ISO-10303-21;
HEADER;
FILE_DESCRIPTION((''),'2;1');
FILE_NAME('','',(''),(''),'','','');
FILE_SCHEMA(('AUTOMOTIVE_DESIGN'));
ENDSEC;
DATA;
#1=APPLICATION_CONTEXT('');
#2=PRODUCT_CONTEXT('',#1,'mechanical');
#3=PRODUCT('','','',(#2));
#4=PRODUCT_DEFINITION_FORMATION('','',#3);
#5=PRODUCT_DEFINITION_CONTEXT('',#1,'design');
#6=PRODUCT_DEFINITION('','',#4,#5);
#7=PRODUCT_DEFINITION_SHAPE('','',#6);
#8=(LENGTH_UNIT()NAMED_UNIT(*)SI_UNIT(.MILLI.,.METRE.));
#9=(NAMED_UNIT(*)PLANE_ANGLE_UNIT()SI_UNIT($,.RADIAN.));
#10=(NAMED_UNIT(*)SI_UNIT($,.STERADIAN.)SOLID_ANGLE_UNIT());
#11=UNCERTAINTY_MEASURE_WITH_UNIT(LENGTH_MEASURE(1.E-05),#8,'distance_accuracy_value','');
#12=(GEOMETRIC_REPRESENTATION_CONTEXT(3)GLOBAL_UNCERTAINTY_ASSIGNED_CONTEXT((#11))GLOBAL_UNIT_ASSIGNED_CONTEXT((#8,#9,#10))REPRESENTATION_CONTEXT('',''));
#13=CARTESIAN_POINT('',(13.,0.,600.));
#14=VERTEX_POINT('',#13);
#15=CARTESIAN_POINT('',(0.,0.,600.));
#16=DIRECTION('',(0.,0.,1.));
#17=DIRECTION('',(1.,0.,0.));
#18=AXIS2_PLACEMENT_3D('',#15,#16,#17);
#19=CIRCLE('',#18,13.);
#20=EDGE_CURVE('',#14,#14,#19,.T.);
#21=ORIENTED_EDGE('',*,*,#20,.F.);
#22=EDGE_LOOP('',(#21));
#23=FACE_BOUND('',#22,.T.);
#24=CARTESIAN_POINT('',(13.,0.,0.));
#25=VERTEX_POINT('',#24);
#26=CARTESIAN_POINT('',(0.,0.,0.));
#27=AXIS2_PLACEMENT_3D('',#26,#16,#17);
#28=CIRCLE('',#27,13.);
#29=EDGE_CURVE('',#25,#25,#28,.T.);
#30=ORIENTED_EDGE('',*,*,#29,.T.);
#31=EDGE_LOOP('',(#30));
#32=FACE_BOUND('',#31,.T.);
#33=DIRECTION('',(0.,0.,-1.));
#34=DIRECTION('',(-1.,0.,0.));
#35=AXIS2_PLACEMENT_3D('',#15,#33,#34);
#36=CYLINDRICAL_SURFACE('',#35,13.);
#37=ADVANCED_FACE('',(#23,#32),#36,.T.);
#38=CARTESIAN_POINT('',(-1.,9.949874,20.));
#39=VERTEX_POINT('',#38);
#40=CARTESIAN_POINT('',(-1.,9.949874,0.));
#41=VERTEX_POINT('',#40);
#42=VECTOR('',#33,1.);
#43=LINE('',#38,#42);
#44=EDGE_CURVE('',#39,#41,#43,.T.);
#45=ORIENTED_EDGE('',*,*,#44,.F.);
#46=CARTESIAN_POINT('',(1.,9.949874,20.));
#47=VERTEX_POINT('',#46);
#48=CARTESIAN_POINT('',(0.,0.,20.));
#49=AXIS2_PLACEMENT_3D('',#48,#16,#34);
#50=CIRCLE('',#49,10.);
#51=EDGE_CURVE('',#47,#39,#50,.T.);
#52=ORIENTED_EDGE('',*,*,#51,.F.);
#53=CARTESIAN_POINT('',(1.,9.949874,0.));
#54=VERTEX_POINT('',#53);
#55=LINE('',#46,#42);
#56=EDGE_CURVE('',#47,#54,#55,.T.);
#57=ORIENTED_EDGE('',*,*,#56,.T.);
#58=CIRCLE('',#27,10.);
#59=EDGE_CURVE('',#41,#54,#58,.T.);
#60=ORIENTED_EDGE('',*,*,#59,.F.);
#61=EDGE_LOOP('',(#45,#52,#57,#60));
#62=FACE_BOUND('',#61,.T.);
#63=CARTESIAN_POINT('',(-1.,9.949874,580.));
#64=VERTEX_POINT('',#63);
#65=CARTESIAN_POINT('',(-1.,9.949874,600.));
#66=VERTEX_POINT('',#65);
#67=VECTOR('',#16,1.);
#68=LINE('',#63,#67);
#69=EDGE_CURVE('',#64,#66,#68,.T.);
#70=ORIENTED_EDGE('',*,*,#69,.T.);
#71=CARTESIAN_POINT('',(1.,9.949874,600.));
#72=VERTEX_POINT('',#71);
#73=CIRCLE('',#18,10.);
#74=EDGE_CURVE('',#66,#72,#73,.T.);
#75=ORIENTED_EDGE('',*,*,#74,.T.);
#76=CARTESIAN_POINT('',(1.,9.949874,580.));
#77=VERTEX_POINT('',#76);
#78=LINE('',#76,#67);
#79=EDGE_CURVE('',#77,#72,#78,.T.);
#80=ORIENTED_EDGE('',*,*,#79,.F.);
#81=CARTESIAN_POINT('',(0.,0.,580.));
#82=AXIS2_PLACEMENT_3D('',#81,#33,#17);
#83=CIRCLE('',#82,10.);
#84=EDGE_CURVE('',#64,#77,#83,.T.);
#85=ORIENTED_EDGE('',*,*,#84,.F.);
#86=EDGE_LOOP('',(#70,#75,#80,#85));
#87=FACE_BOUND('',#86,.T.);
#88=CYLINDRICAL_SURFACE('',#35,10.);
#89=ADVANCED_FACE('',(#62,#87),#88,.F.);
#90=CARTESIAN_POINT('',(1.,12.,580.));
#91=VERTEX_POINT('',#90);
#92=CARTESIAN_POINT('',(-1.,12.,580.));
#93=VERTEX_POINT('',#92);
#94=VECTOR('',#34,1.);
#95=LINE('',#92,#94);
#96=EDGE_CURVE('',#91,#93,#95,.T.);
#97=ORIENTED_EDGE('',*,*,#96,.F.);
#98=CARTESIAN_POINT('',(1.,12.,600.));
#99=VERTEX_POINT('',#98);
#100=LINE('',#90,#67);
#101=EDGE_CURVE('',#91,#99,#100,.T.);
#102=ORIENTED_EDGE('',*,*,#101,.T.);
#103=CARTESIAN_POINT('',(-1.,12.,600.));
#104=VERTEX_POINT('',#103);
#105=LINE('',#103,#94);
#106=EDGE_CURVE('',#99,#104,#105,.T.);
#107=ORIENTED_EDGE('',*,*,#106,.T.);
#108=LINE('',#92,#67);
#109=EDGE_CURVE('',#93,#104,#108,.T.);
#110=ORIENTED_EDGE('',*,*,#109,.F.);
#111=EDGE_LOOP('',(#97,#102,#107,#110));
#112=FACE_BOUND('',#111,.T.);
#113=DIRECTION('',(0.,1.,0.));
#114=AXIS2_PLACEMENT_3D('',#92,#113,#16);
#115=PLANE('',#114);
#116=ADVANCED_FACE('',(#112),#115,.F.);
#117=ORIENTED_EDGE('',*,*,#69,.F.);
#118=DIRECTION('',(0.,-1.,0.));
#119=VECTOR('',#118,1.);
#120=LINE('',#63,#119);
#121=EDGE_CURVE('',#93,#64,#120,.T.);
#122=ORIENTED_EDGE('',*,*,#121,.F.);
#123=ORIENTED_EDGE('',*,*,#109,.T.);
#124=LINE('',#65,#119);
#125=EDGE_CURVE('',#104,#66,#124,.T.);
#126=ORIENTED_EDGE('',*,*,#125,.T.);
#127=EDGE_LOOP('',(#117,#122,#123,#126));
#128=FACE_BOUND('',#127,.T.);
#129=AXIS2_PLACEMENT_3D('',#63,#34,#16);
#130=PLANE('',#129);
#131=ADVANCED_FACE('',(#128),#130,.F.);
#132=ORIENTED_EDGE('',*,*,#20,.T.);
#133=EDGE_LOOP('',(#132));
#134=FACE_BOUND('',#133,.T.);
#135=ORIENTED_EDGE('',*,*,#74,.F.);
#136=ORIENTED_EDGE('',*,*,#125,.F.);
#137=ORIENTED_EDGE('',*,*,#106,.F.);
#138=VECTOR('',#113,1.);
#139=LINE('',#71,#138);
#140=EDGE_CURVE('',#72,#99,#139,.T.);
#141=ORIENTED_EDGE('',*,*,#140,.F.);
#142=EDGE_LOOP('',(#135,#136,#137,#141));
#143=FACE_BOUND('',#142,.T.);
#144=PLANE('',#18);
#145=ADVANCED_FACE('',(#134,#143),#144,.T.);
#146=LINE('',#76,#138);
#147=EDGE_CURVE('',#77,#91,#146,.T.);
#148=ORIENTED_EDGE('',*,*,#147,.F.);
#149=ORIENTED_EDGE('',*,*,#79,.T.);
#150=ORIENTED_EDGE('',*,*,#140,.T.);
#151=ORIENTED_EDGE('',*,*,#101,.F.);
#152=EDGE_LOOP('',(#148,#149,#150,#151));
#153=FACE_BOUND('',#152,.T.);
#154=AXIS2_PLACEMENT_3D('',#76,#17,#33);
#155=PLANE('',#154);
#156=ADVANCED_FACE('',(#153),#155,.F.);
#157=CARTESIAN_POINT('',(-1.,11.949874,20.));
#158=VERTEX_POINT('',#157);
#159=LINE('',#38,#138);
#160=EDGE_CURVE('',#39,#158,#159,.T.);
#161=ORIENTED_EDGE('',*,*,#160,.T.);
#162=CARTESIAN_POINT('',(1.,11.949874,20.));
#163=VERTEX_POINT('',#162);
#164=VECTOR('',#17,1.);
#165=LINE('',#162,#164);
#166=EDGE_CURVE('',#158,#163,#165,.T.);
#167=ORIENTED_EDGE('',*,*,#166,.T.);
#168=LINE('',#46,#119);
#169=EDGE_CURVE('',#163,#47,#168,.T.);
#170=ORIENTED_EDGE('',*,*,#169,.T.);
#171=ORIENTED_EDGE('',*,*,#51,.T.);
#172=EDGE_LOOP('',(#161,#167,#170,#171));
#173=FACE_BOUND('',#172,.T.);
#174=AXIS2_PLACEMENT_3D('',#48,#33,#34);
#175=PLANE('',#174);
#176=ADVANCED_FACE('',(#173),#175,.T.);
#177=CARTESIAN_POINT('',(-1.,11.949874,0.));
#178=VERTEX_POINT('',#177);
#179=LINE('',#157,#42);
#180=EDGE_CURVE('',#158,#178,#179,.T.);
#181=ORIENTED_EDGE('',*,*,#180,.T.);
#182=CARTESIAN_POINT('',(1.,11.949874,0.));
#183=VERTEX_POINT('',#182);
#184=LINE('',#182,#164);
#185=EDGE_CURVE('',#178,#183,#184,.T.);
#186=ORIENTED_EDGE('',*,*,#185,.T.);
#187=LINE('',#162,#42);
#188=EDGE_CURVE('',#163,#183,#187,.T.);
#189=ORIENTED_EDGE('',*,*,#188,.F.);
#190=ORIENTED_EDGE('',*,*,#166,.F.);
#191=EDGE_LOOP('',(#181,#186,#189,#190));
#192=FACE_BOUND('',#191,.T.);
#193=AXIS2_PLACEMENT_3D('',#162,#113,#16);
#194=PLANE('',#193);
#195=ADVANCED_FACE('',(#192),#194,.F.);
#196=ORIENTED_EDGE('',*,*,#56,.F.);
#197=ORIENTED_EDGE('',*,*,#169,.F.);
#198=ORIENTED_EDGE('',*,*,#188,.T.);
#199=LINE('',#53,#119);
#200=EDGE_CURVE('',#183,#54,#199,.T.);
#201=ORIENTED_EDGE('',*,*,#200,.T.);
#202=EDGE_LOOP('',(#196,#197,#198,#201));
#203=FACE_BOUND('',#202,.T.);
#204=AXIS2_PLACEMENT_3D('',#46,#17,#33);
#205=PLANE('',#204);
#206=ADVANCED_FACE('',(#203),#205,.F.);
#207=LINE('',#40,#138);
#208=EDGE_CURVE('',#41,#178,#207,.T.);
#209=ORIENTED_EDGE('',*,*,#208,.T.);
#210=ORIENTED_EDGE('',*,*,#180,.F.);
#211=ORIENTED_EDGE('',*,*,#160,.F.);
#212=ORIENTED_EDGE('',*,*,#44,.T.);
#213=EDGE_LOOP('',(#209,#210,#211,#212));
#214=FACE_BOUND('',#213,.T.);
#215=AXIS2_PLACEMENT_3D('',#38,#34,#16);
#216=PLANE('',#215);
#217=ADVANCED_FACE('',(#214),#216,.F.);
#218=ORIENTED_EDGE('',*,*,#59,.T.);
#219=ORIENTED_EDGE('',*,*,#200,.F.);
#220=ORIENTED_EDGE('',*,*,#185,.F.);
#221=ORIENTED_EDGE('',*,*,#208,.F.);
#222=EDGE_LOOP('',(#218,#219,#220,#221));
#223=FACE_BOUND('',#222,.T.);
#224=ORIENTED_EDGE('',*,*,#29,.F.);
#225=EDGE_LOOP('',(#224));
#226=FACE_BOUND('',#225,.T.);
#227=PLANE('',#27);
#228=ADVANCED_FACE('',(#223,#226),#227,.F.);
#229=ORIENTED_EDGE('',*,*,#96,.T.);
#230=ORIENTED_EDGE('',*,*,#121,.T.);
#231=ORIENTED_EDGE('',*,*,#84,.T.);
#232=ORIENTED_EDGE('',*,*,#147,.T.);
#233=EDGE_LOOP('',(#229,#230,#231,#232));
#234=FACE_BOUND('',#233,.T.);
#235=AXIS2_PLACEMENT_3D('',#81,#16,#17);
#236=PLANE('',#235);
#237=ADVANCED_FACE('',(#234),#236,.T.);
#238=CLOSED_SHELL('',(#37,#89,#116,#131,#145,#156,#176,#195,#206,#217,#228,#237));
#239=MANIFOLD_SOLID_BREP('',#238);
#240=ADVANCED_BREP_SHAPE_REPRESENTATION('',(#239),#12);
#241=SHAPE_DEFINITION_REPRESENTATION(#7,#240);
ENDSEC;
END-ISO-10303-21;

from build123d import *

# Parameters (mm, degrees)
SKETCH1_R           = 13
SKETCH1_R_2         = 10
BOSS_EXTRUDE1_DEPTH = 600
CUT_EXTRUDE1_START  = -20
CUT_EXTRUDE1_DEPTH  = 20
CUT_EXTRUDE2_DEPTH  = 20


with BuildPart() as part:
    # Sketch1 → Boss-Extrude1 (new body)
    with BuildSketch(Plane.XY):
        Circle(SKETCH1_R)
        Circle(SKETCH1_R_2, mode=Mode.SUBTRACT)
    extrude(amount=BOSS_EXTRUDE1_DEPTH)

    # Sketch2 → Cut-Extrude1 (cut)
    with BuildSketch(Plane.XY.offset(600).offset(CUT_EXTRUDE1_START)):
        with BuildLine():
            Line((-1, 9.949874371), (-1, 12))
            Line((-1, 12), (1, 12))
            Line((1, 12), (1, 9.949874371))
            ThreePointArc((1, 9.949874371), (0, 10), (-1, 9.949874371))
        make_face()
    extrude(amount=CUT_EXTRUDE1_DEPTH, mode=Mode.SUBTRACT)

    # Sketch3 → Cut-Extrude2 (cut)
    with BuildSketch(Plane(origin=(0, 0, 0), x_dir=(-1, 0, 0), z_dir=(0, 0, -1))):
        with BuildLine():
            Line((-1, 9.949874371), (-1, 11.949874371))
            Line((-1, 11.949874371), (1, 11.949874371))
            Line((1, 11.949874371), (1, 9.949874371))
            ThreePointArc((1, 9.949874371), (0, 10), (-1, 9.949874371))
        make_face()
    extrude(amount=-CUT_EXTRUDE2_DEPTH, mode=Mode.SUBTRACT)


solid = part.part
